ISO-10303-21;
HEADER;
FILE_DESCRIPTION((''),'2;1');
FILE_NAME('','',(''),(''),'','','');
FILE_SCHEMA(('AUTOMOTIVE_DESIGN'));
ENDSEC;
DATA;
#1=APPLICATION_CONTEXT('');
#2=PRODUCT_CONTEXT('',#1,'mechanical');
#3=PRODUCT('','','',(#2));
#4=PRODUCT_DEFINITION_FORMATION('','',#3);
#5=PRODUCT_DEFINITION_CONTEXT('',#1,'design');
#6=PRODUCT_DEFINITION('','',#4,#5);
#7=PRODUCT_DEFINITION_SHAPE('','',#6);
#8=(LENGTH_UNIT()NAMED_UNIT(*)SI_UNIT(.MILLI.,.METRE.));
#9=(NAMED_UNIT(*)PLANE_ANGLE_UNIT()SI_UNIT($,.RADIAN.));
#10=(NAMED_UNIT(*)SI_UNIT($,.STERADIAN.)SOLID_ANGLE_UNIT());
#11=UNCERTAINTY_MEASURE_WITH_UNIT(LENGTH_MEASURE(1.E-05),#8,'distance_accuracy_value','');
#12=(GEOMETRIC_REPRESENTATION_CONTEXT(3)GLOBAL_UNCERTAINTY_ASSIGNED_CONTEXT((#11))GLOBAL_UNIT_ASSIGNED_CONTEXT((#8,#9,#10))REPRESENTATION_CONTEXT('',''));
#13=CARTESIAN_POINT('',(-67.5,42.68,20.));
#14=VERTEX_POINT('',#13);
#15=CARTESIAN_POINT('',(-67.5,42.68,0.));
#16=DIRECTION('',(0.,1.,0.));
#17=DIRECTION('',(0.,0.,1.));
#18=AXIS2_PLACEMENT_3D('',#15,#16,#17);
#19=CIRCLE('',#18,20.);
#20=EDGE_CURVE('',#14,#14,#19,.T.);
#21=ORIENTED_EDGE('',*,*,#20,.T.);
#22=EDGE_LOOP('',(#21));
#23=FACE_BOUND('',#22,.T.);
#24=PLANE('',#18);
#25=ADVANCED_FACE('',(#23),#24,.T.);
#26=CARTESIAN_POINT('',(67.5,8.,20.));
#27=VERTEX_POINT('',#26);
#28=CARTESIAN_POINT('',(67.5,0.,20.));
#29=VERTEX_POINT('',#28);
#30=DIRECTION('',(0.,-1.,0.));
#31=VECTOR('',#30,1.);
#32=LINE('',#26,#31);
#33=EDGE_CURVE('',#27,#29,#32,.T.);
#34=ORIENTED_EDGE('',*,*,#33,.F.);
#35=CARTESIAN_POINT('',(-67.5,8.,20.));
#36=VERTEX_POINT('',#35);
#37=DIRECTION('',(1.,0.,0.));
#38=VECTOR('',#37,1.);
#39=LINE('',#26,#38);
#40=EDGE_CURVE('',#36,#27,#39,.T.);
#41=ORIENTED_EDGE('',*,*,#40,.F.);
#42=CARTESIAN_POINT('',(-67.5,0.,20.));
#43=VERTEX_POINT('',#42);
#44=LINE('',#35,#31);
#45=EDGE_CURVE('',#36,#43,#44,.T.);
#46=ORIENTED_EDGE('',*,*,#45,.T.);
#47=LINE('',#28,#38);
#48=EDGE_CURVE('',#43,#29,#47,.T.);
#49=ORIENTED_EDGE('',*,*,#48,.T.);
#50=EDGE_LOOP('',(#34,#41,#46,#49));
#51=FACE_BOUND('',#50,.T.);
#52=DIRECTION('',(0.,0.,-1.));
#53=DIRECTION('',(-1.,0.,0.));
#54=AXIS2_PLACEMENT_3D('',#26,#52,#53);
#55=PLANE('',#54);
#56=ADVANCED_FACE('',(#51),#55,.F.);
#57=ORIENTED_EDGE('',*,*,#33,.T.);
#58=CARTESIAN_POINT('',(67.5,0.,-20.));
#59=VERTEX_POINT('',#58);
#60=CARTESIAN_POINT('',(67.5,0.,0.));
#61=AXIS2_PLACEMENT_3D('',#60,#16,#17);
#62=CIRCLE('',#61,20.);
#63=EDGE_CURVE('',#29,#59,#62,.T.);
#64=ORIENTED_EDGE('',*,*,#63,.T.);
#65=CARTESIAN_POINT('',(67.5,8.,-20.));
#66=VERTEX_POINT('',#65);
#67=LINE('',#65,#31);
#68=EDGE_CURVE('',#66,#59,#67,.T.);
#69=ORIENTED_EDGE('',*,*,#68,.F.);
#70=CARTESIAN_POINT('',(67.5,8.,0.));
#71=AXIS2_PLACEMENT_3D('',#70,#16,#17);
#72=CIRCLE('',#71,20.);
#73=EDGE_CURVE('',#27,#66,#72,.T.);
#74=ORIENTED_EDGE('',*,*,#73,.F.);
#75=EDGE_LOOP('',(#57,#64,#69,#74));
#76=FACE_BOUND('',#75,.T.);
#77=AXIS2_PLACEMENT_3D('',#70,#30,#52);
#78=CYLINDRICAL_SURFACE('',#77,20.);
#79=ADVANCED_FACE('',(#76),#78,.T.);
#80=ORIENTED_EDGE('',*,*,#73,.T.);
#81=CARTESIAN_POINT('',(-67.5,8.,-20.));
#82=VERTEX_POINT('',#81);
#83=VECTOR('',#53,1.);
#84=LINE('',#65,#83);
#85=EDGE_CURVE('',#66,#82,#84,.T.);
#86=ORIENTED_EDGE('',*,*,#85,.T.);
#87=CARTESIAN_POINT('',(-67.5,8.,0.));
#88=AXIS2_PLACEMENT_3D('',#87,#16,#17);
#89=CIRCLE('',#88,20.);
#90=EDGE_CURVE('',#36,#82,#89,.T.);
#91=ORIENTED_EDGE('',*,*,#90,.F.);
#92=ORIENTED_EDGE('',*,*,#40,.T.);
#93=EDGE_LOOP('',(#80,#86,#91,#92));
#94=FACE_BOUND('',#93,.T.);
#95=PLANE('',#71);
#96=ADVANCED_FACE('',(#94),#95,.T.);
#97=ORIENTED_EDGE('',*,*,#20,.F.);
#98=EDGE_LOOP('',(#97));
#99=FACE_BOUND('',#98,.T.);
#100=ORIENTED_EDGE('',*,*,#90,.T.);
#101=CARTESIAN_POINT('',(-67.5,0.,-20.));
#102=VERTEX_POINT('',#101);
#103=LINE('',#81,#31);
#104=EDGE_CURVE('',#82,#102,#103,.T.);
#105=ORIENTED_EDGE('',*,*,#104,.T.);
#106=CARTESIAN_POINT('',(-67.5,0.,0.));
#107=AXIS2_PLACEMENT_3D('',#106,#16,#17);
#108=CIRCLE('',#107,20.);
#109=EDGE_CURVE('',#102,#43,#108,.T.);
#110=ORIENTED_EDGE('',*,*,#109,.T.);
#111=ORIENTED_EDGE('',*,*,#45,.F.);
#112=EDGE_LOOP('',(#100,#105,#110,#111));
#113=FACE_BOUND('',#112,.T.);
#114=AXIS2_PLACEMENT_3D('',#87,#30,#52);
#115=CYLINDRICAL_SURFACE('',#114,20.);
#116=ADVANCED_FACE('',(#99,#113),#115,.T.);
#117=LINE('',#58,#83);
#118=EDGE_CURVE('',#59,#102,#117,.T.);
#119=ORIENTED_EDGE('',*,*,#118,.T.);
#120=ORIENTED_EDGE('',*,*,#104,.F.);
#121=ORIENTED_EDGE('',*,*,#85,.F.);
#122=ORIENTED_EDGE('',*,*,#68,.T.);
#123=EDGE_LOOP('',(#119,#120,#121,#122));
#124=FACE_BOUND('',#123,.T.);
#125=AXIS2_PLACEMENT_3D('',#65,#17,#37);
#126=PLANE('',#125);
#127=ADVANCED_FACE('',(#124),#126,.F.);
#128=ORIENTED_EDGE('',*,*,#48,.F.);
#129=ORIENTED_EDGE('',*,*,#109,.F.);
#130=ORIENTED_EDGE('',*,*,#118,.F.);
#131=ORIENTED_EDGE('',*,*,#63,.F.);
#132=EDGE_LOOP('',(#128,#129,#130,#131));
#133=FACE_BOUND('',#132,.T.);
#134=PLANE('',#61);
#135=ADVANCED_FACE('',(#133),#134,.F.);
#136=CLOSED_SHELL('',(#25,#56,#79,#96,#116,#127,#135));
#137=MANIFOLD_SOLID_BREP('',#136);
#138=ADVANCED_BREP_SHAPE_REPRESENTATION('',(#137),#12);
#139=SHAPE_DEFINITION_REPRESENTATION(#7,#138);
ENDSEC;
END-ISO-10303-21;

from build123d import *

# Parameters (mm, degrees)
EXTRUDE_1_DEPTH = 8
SKETCH_3_R      = 20
EXTRUDE_2_DEPTH = 34.68


with BuildPart() as part:
    # 草图1 → 凸台-拉伸1 (new body)
    with BuildSketch(Plane(origin=(0, 0, 0), x_dir=(1, 0, 0), z_dir=(0, 1, 0))):
        with BuildLine():
            Line((67.5, -20), (-67.5, -20))
            ThreePointArc((-67.5, -20), (-87.5, 0), (-67.5, 20))
            Line((-67.5, 20), (67.5, 20))
            ThreePointArc((67.5, 20), (87.5, 0), (67.5, -20))
        make_face()
    extrude(amount=EXTRUDE_1_DEPTH)

    # 草图3 → 凸台-拉伸2 (add)
    with BuildSketch(Plane(origin=(0, 8, 0), x_dir=(1, 0, 0), z_dir=(0, 1, 0))):
        with Locations(Location((-67.5, 0, 0), (0, 0, 270))):
            Circle(SKETCH_3_R)
    extrude(amount=EXTRUDE_2_DEPTH)


solid = part.part
